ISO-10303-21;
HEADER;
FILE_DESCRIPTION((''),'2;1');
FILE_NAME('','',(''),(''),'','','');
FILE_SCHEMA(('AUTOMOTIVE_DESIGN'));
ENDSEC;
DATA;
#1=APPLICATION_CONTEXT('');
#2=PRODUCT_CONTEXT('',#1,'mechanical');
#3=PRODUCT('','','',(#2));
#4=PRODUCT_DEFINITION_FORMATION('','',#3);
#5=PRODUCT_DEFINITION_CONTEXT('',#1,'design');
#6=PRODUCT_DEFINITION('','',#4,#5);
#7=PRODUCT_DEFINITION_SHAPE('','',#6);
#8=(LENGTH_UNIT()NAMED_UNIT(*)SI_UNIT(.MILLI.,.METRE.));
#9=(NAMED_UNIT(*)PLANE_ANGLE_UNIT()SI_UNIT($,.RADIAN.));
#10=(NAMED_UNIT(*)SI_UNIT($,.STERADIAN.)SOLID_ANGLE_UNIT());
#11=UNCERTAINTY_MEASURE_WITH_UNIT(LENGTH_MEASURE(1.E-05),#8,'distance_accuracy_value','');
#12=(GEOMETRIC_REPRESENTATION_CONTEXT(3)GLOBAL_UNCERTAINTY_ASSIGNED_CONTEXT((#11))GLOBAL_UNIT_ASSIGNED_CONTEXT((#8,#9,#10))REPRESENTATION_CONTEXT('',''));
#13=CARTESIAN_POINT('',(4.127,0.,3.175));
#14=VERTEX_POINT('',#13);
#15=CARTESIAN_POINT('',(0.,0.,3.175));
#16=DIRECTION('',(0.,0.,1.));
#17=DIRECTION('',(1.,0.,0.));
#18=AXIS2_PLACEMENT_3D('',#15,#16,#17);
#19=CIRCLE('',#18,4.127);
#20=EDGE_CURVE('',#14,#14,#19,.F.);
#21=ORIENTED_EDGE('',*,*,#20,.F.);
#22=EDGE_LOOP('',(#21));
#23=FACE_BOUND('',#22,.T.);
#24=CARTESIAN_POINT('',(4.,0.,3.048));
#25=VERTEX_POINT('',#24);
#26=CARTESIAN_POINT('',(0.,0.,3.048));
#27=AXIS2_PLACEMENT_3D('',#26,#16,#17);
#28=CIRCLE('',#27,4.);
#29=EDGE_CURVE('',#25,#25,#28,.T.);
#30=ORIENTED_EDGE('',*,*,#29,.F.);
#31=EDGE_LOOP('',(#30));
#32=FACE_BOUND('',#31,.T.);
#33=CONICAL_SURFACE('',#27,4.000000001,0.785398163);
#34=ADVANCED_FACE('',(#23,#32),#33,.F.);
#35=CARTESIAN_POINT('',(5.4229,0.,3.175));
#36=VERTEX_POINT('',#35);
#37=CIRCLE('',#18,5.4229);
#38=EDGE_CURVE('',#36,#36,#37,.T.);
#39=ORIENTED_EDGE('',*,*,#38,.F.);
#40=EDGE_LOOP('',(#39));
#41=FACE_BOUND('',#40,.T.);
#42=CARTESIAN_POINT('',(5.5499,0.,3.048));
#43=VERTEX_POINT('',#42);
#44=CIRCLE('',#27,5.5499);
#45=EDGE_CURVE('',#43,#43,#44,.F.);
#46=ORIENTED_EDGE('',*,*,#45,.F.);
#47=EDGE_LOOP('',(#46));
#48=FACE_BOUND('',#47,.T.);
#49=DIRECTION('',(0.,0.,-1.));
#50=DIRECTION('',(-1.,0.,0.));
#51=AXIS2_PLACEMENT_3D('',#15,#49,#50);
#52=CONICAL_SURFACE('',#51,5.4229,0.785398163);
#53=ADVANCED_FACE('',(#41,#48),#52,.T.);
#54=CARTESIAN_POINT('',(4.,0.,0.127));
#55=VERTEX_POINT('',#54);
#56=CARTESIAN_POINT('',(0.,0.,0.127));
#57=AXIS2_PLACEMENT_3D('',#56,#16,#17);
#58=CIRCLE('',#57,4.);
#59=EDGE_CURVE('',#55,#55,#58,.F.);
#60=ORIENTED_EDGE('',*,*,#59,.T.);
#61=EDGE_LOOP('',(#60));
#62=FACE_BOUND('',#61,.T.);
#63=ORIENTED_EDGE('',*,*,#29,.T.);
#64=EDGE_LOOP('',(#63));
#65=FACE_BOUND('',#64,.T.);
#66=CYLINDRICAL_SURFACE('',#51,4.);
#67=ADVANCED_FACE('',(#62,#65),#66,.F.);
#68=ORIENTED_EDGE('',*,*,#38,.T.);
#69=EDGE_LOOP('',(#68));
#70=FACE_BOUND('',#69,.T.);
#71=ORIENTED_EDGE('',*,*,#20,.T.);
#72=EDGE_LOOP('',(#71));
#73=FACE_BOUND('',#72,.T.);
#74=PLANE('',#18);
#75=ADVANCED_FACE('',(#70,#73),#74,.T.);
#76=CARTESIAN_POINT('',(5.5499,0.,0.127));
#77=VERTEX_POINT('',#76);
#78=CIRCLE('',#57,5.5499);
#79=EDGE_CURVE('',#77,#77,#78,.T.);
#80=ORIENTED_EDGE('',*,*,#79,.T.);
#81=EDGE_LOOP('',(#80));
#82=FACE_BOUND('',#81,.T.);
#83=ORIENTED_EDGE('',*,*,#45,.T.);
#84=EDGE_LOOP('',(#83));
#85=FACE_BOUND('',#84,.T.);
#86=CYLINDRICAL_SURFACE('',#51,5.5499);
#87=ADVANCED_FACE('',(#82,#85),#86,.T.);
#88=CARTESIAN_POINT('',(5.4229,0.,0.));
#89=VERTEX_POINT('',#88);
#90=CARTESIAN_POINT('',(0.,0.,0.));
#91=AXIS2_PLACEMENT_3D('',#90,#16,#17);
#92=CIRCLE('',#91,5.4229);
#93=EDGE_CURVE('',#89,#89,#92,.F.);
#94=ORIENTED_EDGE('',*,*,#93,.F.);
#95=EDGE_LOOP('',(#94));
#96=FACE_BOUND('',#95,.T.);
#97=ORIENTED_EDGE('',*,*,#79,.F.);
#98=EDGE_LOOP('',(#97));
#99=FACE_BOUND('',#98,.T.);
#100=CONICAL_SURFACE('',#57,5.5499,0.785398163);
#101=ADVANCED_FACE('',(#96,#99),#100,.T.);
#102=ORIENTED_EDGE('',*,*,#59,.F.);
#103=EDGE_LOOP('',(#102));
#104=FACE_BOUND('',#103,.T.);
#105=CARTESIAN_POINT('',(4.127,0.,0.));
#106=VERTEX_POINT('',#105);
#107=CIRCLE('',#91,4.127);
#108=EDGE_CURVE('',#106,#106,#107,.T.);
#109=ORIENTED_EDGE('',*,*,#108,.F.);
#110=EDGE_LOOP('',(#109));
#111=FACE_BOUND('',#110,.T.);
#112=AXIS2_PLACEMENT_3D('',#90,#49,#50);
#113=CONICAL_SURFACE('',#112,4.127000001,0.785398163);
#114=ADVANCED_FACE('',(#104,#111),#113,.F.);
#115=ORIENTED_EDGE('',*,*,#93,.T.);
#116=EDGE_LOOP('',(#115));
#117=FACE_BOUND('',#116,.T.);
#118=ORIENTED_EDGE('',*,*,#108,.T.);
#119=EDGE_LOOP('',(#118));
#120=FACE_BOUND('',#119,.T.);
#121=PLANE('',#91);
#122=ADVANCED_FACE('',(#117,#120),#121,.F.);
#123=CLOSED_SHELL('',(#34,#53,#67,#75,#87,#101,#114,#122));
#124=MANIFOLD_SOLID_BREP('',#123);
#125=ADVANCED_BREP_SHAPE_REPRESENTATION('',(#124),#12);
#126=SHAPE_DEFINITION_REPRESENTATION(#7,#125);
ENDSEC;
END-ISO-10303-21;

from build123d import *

# Parameters (mm, degrees)
SKETCH1_R           = 5.5499
SKETCH1_R_2         = 4.000000001
BOSS_EXTRUDE1_DEPTH = 3.175
CHAMFER1_SIZE       = 0.127


with BuildPart() as part:
    # Sketch1 → Boss-Extrude1 (new body)
    with BuildSketch(Plane.XY):
        Circle(SKETCH1_R)
        Circle(SKETCH1_R_2, mode=Mode.SUBTRACT)
    extrude(amount=BOSS_EXTRUDE1_DEPTH)

    # Chamfer1
    chamfer1_edges = [part.edges().sort_by_distance(p)[0] for p in [
        (-5.5499, 0, 0),
        (-5.5499, 0, 3.175),
        (-4.000000001, 0, 0),
        (-4.000000001, 0, 3.175),
    ]]
    chamfer(chamfer1_edges, length=CHAMFER1_SIZE)


solid = part.part
